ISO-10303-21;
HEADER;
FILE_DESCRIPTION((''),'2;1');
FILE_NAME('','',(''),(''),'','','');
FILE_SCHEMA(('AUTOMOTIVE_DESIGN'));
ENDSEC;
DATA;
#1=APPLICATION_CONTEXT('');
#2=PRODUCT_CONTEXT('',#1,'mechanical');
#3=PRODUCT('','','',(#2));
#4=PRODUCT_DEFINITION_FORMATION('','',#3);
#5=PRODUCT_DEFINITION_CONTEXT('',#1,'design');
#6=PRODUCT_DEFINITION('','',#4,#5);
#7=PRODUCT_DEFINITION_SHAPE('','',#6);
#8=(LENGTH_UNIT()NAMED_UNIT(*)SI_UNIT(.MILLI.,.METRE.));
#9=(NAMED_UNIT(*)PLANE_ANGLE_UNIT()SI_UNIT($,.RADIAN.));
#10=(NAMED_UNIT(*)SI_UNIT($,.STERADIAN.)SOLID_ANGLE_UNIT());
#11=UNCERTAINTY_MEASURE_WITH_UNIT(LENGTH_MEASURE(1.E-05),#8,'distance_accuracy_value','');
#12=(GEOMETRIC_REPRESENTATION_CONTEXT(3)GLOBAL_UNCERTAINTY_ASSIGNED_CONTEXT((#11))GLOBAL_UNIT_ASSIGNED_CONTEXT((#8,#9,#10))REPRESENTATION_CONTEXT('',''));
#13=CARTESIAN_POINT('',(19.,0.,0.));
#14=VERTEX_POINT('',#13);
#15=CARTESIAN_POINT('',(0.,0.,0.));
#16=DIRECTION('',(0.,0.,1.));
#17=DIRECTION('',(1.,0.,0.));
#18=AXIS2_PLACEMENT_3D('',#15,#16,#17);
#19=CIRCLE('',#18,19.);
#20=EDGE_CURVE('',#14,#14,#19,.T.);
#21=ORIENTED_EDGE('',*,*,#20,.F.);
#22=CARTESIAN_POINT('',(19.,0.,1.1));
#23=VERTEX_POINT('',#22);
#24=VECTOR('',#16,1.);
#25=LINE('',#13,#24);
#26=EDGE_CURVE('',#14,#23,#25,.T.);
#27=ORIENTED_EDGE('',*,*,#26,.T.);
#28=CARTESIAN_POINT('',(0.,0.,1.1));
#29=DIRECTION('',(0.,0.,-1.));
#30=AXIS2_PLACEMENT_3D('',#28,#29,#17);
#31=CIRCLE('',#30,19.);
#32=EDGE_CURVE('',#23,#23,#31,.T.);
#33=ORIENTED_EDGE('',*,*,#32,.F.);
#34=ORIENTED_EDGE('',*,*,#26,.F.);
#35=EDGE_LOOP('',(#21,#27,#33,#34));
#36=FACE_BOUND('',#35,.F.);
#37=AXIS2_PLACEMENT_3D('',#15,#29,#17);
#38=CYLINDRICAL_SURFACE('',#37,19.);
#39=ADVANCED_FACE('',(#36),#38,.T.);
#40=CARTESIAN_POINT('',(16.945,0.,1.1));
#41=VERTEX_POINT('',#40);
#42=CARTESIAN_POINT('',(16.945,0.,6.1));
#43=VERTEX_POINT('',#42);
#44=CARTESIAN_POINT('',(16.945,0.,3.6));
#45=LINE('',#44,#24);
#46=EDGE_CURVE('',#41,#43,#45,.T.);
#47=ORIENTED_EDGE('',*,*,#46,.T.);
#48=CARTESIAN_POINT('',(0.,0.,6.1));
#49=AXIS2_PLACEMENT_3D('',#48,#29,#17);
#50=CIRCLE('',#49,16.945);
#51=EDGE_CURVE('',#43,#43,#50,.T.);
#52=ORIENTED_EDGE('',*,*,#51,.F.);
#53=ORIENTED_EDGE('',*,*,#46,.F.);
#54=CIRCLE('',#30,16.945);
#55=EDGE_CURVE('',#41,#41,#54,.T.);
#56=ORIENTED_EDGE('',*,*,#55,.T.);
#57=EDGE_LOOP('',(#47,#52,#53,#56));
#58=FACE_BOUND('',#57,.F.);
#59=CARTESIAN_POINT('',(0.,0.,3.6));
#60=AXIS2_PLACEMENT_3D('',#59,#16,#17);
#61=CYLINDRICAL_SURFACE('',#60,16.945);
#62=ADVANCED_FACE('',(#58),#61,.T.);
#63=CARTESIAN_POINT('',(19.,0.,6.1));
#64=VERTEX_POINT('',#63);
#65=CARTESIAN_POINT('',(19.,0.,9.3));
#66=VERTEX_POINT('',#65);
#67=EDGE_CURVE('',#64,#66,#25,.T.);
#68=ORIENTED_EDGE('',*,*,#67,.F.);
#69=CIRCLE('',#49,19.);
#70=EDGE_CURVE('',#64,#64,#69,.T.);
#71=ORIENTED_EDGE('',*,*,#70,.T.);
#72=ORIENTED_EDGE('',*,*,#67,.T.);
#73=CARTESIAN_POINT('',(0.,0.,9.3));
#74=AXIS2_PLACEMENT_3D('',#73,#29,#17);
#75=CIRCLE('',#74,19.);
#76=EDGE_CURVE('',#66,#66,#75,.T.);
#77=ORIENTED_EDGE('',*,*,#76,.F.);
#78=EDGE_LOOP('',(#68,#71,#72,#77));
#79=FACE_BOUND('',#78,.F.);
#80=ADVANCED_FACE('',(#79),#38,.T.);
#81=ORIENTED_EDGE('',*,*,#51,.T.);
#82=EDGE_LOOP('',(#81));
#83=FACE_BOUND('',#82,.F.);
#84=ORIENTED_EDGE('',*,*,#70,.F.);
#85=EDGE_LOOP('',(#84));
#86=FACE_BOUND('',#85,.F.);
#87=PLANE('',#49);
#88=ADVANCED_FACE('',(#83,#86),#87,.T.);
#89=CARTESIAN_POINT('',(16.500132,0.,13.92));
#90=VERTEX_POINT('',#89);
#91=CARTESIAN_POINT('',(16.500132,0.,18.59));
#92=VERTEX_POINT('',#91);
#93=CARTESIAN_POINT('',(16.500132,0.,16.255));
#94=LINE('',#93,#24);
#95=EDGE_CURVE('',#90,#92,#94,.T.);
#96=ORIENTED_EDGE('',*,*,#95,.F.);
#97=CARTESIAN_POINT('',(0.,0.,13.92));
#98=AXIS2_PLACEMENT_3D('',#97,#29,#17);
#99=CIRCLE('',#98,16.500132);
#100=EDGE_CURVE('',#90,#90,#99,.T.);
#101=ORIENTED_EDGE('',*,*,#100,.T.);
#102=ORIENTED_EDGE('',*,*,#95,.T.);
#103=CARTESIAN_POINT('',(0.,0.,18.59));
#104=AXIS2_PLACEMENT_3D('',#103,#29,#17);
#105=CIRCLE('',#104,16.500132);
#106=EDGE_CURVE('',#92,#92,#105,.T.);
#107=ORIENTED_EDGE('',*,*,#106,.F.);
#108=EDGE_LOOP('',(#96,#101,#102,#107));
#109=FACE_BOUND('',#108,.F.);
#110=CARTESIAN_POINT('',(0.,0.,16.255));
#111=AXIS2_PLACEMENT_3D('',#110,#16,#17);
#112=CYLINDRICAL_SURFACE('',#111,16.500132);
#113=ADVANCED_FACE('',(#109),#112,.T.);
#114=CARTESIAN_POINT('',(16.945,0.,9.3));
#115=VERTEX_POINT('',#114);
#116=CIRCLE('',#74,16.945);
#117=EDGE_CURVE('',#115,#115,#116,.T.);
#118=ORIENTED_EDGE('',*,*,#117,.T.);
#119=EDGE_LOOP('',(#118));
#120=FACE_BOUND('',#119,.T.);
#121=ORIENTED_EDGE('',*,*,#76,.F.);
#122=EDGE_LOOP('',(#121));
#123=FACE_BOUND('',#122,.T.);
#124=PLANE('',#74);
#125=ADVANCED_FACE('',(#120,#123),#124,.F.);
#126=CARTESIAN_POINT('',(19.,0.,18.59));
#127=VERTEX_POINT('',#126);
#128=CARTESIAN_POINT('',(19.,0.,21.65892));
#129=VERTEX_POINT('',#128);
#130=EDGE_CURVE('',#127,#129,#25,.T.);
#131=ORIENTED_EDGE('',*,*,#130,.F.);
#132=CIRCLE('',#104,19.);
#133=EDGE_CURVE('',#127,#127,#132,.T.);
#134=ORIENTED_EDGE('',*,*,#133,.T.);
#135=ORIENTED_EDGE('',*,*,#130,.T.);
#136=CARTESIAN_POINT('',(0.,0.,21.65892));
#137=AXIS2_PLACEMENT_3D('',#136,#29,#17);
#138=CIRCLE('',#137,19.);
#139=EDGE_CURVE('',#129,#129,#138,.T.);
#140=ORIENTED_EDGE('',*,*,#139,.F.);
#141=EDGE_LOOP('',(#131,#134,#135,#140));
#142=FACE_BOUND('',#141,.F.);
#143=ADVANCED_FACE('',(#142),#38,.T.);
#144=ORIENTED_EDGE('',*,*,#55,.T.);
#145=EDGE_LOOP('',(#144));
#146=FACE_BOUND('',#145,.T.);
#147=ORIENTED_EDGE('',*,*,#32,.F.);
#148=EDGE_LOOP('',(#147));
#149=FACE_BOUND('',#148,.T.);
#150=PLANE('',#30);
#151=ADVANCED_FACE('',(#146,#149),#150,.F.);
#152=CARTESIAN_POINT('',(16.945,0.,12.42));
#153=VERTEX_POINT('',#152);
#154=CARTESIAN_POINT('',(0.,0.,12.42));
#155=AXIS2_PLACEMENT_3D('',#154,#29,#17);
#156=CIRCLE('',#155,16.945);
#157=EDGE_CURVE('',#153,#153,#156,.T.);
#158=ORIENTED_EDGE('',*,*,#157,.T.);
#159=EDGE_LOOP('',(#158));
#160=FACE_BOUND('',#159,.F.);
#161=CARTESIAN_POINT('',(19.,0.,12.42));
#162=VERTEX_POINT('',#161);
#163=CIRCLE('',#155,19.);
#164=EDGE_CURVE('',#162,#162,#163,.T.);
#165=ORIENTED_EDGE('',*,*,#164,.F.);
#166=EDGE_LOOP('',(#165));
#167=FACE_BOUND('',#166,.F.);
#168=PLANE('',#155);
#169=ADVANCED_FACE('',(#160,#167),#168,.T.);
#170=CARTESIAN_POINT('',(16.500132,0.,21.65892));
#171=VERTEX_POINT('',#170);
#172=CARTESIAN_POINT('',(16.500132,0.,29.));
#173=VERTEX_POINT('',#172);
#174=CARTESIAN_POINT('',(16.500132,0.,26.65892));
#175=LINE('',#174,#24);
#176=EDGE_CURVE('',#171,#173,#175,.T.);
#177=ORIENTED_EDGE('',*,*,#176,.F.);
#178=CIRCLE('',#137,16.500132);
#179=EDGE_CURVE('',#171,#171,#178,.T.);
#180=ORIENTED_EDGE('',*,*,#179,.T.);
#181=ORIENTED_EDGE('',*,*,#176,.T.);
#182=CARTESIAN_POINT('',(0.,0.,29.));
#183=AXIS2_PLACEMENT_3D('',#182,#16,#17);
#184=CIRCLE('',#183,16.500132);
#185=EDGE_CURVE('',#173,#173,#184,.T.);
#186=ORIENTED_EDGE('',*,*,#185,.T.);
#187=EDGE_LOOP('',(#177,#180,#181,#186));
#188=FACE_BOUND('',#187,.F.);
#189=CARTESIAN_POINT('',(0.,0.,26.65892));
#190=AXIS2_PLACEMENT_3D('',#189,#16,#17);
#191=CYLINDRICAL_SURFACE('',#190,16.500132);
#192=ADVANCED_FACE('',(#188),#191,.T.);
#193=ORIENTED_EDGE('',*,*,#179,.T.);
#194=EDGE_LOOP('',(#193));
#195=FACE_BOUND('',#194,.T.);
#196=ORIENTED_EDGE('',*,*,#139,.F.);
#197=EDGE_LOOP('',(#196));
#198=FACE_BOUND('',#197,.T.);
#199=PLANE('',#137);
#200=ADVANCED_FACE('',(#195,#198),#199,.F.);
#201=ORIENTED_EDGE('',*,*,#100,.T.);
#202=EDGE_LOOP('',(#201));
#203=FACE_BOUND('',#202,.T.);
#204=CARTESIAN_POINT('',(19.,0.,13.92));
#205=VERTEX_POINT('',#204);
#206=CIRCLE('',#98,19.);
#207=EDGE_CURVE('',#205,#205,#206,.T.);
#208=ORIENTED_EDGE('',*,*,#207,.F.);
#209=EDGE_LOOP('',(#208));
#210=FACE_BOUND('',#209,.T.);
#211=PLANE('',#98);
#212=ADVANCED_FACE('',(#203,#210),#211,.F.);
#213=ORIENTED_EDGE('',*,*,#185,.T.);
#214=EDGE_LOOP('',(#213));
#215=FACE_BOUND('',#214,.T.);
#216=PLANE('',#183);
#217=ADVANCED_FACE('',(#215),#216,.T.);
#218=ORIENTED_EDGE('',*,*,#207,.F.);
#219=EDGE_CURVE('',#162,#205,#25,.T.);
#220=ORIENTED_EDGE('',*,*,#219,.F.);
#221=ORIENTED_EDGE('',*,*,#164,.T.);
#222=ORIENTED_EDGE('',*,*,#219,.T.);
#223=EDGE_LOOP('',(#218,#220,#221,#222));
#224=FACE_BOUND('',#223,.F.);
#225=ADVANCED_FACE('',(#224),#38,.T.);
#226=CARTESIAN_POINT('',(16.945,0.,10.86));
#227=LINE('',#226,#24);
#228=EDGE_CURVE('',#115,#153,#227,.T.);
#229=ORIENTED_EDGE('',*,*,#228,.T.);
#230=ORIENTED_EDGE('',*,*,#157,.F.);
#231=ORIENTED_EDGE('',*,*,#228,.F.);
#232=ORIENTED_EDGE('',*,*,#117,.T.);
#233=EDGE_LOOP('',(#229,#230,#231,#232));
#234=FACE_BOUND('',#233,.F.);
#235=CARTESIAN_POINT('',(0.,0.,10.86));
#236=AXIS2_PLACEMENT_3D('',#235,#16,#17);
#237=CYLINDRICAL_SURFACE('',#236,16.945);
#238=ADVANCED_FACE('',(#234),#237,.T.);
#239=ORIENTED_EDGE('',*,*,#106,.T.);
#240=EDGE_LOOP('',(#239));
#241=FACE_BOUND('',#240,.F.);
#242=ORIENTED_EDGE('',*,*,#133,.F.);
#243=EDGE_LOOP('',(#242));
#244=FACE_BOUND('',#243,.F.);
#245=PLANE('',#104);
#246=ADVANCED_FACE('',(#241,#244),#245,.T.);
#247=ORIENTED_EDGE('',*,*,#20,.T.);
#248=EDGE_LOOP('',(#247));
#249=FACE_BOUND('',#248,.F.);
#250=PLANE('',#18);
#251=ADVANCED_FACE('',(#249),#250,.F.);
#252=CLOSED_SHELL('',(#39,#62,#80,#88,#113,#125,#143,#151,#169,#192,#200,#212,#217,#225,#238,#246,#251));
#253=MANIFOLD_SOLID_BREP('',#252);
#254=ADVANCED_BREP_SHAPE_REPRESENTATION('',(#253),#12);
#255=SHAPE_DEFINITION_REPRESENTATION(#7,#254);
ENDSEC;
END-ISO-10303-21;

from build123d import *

# Parameters (mm, degrees)
F0_R     = 19
F1_DEPTH = 29
F2_W     = 13.055
F2_H     = 5
F2_H_2   = 3.12
F2_W_2   = 13.499867
F2_H_3   = 4.67
F2_W_3   = 13.901473
F2_H_4   = 10


with BuildPart() as f1:
    # F0 (on Top) → F1 (new body)
    with BuildSketch(Plane.XY):
        Circle(F0_R)
    extrude(amount=F1_DEPTH)

    # F2 (on Front) → F3 (revolve, cut)
    with BuildSketch(Plane.XZ):
        with Locations((23.4725, 3.6)):
            Rectangle(F2_W, F2_H)
        with Locations((23.4725, 10.86)):
            Rectangle(F2_W, F2_H_2)
        with Locations((23.250066, 16.255)):
            Rectangle(F2_W_2, F2_H_3)
        with Locations((23.450869, 26.65892)):
            Rectangle(F2_W_3, F2_H_4)
    revolve(axis=Axis((0, 0, 8.831585), (0, 0, -1)), mode=Mode.SUBTRACT)


solid = f1.part
